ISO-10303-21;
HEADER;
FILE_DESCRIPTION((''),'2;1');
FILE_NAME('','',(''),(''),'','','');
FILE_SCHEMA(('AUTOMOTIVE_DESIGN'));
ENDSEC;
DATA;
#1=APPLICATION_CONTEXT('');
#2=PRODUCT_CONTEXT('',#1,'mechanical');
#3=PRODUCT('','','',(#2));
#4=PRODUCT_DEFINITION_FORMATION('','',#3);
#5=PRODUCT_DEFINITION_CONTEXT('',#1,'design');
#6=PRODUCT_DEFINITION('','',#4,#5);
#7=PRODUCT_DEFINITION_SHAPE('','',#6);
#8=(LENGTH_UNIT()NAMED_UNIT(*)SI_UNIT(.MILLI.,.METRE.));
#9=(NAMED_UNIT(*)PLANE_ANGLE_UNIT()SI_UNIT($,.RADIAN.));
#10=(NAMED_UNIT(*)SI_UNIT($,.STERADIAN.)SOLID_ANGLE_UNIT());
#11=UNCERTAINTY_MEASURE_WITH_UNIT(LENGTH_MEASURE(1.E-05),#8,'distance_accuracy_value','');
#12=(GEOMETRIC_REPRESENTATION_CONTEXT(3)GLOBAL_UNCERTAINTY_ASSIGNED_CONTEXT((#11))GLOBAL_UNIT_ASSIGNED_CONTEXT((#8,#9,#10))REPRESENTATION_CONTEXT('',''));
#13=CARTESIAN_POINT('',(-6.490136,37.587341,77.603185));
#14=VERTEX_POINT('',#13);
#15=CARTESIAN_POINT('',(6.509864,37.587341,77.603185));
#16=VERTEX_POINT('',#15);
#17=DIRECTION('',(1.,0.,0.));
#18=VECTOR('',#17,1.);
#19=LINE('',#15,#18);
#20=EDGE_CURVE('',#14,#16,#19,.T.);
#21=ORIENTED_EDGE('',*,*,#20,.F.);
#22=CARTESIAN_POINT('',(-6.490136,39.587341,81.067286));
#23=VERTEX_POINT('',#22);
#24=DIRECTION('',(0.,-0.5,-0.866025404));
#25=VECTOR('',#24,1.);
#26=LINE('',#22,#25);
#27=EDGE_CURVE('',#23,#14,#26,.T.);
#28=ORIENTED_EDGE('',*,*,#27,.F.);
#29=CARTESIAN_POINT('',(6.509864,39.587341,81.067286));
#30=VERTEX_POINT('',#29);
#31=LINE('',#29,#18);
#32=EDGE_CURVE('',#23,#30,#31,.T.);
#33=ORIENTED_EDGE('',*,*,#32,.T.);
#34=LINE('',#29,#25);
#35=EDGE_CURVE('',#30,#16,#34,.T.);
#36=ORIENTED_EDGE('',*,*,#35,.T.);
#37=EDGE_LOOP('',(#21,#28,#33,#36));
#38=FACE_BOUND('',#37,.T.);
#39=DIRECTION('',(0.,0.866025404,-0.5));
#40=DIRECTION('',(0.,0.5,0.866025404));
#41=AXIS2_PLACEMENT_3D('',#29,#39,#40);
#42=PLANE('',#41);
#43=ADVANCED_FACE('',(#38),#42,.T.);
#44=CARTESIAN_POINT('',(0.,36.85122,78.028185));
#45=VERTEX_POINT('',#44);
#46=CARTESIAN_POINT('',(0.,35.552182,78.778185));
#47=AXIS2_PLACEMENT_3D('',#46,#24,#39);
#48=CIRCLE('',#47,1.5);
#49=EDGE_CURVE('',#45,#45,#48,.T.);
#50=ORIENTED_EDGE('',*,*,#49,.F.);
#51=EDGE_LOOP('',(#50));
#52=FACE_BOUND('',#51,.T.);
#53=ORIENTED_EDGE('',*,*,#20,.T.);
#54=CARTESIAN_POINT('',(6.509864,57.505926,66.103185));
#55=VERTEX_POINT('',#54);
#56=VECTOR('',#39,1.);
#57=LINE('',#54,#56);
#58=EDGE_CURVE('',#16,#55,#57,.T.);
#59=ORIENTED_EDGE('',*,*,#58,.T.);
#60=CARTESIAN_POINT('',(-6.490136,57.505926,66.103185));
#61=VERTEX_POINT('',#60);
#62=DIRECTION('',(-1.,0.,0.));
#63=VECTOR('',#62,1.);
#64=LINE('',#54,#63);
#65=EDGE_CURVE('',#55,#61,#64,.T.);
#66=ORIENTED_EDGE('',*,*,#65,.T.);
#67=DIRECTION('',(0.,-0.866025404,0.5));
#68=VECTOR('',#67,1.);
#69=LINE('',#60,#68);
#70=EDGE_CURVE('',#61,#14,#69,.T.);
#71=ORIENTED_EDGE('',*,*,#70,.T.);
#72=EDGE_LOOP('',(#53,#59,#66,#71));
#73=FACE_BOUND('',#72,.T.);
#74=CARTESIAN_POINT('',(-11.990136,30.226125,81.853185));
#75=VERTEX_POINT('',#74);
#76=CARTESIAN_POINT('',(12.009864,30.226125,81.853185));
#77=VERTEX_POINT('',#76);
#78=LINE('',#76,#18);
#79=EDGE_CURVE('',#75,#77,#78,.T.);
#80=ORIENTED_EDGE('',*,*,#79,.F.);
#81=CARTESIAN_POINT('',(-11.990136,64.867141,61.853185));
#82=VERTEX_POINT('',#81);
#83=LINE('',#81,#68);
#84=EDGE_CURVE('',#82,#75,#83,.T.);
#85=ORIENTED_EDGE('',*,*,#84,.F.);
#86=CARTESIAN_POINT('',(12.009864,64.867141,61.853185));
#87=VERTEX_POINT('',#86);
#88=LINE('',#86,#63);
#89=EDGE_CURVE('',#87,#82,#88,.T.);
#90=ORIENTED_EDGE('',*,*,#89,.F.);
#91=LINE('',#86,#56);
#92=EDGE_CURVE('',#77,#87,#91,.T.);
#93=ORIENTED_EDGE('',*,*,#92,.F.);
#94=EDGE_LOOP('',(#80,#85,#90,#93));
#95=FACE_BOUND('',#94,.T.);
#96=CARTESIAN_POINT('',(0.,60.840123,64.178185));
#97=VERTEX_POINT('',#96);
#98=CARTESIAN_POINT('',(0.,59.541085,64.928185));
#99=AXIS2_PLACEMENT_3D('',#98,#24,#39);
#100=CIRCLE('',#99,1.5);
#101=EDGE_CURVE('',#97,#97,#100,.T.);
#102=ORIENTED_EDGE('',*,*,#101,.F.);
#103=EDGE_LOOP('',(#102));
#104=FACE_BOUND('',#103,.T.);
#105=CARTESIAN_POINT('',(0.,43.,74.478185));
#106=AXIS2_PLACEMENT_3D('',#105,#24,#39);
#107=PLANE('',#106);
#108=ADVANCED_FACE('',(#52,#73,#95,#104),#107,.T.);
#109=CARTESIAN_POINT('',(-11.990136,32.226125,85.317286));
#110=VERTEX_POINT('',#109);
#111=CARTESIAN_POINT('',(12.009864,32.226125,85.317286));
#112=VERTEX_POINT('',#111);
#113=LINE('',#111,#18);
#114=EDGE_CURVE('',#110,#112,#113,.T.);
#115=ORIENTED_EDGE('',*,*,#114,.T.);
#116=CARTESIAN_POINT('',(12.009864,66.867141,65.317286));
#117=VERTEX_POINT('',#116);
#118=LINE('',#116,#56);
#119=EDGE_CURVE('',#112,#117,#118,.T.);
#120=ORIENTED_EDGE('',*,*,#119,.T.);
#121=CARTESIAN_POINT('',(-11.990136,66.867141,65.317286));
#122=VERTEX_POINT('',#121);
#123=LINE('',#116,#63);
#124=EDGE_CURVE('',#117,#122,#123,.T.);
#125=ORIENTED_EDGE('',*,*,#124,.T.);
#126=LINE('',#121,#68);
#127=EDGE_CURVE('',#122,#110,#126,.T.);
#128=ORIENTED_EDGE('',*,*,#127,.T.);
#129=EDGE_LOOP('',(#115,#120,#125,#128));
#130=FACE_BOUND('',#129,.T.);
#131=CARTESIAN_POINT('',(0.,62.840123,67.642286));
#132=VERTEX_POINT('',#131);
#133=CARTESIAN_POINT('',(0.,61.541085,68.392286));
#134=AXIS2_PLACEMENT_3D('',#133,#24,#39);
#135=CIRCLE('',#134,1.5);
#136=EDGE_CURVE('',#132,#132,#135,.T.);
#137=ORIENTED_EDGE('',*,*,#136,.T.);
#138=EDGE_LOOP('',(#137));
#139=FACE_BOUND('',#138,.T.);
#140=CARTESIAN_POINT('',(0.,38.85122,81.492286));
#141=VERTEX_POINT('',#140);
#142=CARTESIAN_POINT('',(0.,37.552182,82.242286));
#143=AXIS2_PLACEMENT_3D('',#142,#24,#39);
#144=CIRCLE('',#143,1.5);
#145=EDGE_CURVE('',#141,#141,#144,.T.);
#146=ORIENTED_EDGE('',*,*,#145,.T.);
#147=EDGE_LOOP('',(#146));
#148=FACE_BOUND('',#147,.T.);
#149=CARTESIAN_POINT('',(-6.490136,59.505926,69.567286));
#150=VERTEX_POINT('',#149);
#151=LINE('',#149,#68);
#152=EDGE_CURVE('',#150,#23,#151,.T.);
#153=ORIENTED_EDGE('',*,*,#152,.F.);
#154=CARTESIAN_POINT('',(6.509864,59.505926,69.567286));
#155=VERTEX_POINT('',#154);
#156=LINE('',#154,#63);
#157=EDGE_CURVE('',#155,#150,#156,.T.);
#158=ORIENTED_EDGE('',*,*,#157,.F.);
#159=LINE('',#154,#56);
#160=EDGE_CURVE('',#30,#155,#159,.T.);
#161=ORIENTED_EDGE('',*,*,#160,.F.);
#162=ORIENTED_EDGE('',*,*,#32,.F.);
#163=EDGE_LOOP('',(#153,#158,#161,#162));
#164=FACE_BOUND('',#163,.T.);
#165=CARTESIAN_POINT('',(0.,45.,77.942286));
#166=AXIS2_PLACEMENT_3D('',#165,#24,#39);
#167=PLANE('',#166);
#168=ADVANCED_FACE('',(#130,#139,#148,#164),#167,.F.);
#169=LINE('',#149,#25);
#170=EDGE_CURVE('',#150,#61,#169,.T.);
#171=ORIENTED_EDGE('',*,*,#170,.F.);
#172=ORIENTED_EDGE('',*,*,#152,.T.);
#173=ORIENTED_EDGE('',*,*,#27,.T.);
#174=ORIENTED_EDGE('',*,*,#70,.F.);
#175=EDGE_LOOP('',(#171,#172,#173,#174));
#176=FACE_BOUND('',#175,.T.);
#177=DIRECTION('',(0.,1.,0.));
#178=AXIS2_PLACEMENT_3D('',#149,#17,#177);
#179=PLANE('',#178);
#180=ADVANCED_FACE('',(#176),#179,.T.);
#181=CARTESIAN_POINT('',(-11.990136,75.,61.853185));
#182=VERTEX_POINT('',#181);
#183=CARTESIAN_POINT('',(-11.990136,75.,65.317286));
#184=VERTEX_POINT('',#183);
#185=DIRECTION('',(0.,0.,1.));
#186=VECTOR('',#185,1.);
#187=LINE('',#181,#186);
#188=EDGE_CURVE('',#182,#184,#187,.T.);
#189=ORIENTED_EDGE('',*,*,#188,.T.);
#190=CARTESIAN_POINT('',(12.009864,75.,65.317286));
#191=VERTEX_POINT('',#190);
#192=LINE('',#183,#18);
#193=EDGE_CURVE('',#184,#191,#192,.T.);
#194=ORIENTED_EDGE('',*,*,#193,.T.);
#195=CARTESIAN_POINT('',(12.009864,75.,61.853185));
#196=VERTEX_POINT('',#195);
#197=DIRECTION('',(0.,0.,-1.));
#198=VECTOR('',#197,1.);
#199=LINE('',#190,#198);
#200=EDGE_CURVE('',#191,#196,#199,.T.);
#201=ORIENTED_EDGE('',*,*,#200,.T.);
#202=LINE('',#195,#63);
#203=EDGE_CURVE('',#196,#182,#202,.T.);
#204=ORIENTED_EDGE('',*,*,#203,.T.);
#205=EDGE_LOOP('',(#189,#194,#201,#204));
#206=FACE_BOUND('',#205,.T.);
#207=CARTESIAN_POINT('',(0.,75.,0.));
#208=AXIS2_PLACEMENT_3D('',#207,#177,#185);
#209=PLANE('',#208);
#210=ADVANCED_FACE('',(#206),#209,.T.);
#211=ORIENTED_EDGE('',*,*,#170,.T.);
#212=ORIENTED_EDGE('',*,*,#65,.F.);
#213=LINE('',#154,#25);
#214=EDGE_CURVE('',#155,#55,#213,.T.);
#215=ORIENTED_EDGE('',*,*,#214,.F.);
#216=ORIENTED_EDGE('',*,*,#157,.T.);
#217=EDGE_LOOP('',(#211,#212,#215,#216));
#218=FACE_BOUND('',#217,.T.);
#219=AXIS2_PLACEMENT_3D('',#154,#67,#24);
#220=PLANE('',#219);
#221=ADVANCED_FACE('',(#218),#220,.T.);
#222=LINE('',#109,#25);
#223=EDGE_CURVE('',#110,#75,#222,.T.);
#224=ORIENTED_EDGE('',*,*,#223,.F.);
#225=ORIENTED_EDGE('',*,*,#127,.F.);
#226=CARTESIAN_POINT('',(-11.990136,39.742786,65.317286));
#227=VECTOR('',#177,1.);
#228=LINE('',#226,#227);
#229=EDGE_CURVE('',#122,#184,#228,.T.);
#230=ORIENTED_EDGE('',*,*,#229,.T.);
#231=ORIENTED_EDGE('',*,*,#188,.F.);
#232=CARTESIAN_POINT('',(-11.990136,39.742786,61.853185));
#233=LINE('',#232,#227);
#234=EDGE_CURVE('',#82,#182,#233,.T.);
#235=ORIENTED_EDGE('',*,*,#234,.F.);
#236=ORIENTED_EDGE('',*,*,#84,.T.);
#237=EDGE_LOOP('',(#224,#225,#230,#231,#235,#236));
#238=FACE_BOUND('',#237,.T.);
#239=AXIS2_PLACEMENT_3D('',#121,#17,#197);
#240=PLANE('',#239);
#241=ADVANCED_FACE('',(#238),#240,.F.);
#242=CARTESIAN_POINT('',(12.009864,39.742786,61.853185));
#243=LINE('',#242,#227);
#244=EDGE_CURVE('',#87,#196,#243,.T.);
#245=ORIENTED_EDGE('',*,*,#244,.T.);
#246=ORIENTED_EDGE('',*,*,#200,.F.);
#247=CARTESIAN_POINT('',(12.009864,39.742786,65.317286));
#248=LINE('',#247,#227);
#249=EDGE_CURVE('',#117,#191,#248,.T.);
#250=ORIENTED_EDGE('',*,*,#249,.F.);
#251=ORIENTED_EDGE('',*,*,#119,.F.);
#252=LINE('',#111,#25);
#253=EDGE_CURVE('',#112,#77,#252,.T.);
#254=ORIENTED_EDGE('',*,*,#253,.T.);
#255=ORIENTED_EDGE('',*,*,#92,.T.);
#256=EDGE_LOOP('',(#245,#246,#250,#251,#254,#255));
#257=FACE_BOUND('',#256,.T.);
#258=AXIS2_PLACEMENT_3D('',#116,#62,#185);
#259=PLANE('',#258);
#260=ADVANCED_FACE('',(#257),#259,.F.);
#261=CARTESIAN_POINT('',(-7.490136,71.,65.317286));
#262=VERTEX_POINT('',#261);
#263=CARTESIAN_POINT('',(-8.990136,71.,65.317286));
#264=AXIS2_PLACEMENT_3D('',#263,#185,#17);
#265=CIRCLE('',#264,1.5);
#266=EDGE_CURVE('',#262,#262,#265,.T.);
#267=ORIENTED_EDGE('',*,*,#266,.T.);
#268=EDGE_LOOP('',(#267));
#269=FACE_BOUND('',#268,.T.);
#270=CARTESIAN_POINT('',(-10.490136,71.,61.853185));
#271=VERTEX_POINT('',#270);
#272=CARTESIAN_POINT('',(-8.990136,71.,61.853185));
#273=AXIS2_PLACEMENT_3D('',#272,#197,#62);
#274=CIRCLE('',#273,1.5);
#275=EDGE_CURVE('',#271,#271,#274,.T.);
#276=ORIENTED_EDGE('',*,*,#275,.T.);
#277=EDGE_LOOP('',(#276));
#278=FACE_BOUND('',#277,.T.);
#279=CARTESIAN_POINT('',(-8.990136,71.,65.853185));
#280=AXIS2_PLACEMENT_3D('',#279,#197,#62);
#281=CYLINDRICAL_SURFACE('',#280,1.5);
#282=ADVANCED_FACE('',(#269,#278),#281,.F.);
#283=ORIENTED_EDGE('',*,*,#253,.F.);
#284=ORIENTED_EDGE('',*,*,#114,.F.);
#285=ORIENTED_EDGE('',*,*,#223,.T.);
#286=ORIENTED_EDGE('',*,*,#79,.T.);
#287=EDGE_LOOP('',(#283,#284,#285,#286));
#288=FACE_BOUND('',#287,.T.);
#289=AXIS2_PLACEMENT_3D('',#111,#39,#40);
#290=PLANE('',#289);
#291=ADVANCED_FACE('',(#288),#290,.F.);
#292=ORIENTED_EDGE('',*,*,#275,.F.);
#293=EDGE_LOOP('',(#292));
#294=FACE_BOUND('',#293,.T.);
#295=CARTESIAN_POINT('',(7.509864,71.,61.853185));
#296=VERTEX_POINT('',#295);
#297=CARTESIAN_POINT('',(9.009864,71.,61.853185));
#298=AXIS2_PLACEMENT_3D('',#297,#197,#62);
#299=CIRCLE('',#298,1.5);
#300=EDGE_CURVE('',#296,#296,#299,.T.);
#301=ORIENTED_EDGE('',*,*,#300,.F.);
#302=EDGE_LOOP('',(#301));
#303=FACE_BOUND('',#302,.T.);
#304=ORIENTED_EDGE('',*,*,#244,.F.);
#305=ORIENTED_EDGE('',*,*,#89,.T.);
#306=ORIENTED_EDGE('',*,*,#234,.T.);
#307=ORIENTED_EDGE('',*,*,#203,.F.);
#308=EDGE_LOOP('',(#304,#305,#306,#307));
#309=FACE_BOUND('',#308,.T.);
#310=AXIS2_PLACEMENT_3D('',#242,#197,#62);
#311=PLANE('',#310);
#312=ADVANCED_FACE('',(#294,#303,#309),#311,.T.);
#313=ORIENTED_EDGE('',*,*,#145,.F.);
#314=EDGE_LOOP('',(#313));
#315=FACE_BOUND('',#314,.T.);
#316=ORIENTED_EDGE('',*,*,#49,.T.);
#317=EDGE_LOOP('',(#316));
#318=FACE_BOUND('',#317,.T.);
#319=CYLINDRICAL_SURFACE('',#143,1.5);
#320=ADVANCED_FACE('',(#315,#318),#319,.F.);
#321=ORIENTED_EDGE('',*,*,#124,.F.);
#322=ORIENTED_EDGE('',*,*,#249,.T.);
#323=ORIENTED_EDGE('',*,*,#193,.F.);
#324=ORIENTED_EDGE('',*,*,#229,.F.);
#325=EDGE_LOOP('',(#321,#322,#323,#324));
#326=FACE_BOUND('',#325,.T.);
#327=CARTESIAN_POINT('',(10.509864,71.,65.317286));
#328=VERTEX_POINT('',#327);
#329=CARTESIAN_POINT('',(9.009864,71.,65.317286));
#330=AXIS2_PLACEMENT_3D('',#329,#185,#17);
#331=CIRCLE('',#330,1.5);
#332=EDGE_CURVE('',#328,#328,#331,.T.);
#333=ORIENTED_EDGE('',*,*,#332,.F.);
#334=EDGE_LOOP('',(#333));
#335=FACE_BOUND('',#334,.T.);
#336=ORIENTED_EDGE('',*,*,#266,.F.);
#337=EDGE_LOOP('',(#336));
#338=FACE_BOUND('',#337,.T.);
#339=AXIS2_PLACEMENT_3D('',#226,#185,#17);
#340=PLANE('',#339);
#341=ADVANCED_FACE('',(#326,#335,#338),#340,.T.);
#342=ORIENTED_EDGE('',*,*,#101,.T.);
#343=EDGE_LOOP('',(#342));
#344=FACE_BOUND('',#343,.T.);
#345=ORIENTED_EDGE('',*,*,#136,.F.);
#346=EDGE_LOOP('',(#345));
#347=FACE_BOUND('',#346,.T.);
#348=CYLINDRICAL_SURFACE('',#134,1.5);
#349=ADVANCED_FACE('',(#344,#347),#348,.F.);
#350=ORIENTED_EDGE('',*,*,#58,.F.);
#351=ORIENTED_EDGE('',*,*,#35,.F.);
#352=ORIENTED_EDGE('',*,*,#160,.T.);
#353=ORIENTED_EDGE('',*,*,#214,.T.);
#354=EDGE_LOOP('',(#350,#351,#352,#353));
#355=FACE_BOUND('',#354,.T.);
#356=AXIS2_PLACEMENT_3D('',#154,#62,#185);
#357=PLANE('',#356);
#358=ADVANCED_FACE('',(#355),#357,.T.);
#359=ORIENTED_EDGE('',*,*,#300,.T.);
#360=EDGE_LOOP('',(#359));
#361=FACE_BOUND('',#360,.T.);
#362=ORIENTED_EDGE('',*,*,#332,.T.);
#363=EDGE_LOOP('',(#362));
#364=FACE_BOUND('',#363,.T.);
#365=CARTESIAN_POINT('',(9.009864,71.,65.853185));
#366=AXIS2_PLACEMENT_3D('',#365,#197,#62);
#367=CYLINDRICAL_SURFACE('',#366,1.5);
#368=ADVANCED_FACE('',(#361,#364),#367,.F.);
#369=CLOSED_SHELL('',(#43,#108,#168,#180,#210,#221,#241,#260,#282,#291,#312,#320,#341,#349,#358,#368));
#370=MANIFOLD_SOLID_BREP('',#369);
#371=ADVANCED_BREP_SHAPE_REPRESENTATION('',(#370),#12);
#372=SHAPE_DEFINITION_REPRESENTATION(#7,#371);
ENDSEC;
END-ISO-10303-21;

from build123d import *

# Parameters (mm, degrees)
SKETCH_11_W         = 24
SKETCH_11_H         = 40
SKETCH_11_W_2       = 13
SKETCH_11_H_2       = 23
EXTRUDE_1_DEPTH     = 4
SKETCH_12_R         = 1.5
CUT_EXTRUDE_1_DEPTH = 4
EXTRUDE_2_REACH     = 99.098
SKETCH_13_W         = 24
SKETCH_13_H         = 3.464101616
SKETCH_14_R         = 1.5
CUT_EXTRUDE_2_DEPTH = 4


with BuildPart() as part:
    # 草图11 → 凸台-拉伸1 (new body)
    with BuildSketch(Plane(origin=(0, 43, 74.478184725), x_dir=(-1, 0, 0), z_dir=(0, 0.500000000000001, 0.866025403784438))):
        with Locations((-0.009864086, -5.25)):
            Rectangle(SKETCH_11_W, SKETCH_11_H)
        with Locations((-0.009864086, -5.25)):
            Rectangle(SKETCH_11_W_2, SKETCH_11_H_2, mode=Mode.SUBTRACT)
    extrude(amount=EXTRUDE_1_DEPTH)

    # 草图12 → 切除-拉伸1 (cut)
    with BuildSketch(Plane(origin=(0, 43, 74.478184725), x_dir=(-1, 0, 0), z_dir=(0, -0.5000000000000009, -0.8660254037844383))):
        with Locations(Location((0, 19.1, 0), (0, 0, 90))):
            Circle(SKETCH_12_R)
        with Locations(Location((0, -8.6, 0), (0, 0, 90))):
            Circle(SKETCH_12_R)
    extrude(amount=-CUT_EXTRUDE_1_DEPTH, mode=Mode.SUBTRACT)

    # 凸台-拉伸2: up to this face of the body (flat: up to its plane)
    extrude_2_end = Plane(part.part.faces().sort_by_distance((0.009864086, 65.867141446, 63.585235533))[0])
    # 草图13 → 凸台-拉伸2 (add, up to the picked face)
    with BuildSketch(Plane(origin=(0, 75, 0), x_dir=(1, 0, 0), z_dir=(0, 1, 0)), mode=Mode.PRIVATE) as extrude_2_sk1:
        with Locations((0.009864086, -63.585235533)):
            Rectangle(SKETCH_13_W, SKETCH_13_H)
    extrude_2_tool1 = split(extrude(extrude_2_sk1.sketch, amount=-EXTRUDE_2_REACH, mode=Mode.PRIVATE), bisect_by=extrude_2_end, keep=Keep.BOTH, mode=Mode.PRIVATE)
    add(extrude_2_tool1.solids().sort_by(Axis((0.009864, 75, 63.585236), (0, -1, 0)))[0])

    # 草图14 → 切除-拉伸2 (cut)
    with BuildSketch(Plane(origin=(0, 0, 61.853184725), x_dir=(-1, 0, 0), z_dir=(0, 0, -1))):
        with Locations((8.990135914, 71)):
            Circle(SKETCH_14_R)
        with Locations((-9.009864086, 71)):
            Circle(SKETCH_14_R)
    extrude(amount=-CUT_EXTRUDE_2_DEPTH, mode=Mode.SUBTRACT)


solid = part.part
